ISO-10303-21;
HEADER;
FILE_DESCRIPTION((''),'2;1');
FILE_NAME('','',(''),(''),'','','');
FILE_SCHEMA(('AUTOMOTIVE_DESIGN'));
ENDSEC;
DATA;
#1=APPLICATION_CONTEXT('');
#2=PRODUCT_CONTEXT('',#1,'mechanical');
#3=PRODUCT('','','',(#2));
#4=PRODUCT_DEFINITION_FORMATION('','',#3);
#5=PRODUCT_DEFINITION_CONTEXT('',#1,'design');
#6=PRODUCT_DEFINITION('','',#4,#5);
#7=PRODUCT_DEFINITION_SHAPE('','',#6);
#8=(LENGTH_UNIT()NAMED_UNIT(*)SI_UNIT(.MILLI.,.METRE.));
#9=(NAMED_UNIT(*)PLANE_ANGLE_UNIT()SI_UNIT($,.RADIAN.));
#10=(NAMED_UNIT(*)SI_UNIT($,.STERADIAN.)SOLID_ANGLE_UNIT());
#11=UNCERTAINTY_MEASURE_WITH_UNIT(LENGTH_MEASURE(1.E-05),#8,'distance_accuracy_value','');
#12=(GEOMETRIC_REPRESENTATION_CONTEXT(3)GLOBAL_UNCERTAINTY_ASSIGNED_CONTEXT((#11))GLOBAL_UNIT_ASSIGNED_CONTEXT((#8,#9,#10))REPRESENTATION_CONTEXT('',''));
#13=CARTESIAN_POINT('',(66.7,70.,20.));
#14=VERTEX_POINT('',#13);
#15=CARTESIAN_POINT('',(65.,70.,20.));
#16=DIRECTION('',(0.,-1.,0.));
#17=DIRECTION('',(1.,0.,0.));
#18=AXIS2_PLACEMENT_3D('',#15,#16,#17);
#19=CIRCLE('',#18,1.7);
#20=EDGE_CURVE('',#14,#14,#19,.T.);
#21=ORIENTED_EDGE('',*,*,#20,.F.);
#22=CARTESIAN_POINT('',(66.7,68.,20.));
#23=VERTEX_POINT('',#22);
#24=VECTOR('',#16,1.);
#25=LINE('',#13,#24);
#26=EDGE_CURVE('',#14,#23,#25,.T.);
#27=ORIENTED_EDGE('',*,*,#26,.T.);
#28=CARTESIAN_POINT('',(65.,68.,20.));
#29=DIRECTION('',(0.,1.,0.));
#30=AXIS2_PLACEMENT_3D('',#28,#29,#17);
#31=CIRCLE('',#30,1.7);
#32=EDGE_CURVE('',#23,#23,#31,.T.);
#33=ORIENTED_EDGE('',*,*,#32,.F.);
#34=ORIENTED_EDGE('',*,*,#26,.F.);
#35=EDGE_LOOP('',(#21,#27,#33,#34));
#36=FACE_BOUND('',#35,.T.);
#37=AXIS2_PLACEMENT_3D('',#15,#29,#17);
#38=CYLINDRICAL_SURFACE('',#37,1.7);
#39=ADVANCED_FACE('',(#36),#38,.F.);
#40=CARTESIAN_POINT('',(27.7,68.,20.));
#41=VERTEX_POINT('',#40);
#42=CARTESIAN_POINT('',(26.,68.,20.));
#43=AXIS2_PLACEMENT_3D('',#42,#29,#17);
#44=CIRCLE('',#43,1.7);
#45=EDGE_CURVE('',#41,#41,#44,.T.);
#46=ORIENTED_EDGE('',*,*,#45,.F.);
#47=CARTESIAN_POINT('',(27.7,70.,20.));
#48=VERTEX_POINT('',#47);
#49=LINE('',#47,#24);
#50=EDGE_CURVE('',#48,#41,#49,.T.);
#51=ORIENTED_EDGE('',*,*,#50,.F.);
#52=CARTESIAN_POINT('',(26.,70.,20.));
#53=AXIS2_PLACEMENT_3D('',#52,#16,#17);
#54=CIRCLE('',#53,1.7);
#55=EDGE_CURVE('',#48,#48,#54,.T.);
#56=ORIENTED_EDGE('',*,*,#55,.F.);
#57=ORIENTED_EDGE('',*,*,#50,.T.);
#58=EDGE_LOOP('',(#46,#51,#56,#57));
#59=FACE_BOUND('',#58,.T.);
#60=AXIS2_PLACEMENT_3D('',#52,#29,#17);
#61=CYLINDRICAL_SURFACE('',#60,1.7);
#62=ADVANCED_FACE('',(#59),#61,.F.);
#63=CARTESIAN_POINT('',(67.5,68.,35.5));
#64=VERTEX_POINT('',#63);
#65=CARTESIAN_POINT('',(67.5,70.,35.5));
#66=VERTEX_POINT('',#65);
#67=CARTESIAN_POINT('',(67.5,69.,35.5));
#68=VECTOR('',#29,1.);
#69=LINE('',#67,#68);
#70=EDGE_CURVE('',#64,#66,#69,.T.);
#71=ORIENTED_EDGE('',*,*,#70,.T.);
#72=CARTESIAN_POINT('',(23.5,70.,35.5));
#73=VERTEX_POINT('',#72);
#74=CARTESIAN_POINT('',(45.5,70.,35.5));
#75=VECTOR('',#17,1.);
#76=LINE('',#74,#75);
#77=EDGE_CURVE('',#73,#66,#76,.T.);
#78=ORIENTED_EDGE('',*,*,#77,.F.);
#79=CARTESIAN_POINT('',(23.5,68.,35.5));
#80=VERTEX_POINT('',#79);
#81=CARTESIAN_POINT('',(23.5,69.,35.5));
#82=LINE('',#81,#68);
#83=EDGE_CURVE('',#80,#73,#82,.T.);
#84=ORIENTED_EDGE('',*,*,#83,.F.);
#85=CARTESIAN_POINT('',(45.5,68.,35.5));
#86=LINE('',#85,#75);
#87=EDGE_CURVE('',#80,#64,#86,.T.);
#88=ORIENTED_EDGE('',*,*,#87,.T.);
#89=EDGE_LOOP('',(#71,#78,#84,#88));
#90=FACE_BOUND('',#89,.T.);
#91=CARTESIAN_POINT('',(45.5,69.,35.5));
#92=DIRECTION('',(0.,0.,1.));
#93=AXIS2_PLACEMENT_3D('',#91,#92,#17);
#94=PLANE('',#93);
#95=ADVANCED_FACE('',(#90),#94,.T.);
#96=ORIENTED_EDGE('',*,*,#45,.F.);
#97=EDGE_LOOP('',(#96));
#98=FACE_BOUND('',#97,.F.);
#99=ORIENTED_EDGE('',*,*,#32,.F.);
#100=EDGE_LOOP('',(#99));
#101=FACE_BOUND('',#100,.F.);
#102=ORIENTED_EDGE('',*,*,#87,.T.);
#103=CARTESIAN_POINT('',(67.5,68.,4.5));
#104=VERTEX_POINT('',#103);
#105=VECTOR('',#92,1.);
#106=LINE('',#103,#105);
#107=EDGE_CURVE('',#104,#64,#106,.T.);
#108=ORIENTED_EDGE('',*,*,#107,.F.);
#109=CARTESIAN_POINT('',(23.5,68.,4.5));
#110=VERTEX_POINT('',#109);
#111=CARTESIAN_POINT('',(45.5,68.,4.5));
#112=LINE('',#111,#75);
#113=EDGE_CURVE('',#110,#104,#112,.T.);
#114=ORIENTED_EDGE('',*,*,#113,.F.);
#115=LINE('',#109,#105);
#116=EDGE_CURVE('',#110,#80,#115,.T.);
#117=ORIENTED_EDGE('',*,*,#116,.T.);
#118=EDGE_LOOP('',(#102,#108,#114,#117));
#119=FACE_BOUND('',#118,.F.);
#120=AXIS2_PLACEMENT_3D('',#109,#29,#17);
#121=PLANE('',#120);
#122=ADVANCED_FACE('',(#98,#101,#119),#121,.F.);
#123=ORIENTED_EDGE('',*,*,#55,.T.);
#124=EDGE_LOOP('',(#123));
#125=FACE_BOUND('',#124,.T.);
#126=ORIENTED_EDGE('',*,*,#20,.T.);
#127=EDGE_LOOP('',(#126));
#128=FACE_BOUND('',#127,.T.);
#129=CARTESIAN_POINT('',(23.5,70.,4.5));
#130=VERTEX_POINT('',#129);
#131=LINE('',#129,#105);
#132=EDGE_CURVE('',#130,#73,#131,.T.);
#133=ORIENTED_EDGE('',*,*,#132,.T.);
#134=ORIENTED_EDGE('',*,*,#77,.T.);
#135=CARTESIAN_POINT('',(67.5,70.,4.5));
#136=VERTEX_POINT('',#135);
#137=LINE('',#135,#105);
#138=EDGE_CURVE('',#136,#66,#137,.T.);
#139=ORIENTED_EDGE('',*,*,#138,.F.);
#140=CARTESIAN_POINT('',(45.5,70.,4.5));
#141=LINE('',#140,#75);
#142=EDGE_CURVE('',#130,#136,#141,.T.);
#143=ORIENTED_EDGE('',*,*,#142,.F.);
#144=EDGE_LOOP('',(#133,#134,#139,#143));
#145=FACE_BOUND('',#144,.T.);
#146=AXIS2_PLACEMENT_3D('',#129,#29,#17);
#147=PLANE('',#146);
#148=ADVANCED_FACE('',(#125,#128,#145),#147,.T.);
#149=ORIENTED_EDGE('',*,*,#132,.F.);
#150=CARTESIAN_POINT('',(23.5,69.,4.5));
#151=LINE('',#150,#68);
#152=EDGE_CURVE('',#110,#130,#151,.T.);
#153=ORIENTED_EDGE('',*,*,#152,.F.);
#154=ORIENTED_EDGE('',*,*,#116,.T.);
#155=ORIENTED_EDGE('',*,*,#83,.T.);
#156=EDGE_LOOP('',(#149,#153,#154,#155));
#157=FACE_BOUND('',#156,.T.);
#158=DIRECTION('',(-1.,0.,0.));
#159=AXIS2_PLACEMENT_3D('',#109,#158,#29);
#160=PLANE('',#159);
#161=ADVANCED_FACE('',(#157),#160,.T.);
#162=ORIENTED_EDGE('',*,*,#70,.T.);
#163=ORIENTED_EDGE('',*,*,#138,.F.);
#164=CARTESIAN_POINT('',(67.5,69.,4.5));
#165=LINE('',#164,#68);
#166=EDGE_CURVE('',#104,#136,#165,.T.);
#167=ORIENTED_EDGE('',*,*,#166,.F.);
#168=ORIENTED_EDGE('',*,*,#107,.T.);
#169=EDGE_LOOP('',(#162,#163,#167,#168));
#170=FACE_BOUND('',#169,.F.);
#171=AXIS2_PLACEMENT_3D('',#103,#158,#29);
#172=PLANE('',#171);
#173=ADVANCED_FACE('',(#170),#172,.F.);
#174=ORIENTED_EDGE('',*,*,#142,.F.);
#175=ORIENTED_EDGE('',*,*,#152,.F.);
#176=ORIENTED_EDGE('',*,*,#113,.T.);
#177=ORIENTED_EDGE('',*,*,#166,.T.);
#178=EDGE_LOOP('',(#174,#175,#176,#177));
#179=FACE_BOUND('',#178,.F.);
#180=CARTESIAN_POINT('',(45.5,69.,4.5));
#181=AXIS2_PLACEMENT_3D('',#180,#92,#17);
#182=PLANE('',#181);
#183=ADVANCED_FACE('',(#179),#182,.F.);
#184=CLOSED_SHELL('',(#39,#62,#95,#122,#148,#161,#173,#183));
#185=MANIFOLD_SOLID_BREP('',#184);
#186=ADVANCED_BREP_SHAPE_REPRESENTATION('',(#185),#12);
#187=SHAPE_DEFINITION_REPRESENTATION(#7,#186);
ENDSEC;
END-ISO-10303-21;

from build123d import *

# Parameters (mm, degrees)
CYLINDER043_R          = 1.7
CYLINDER043_DEPTH      = 10
CYLINDER043_ROLL_ANGLE = 90
CYLINDER044_R          = 1.7
CYLINDER044_DEPTH      = 10
CYLINDER044_ROLL_ANGLE = 90
BOX080_W               = 44
BOX080_H               = 2
BOX080_DEPTH           = 31


with BuildPart() as cylinder075:
    # Cylinder043 → Cylinder043 (new body)
    with BuildSketch(Plane.XY):
        Circle(CYLINDER043_R)
    extrude(amount=CYLINDER043_DEPTH)


with BuildPart() as cylinder075_1:
    # Cylinder043 roll: moved
    add(cylinder075.part.rotate(Axis((0, 0, 0), (1, 0, 0)), CYLINDER043_ROLL_ANGLE))


with BuildPart() as cylinder075_2:
    # Cylinder043 placement: moved
    add(cylinder075_1.part.moved(Location((26, 70, 20))))


with BuildPart() as cylinder076:
    # Cylinder044 → Cylinder044 (new body)
    with BuildSketch(Plane.XY):
        Circle(CYLINDER044_R)
    extrude(amount=CYLINDER044_DEPTH)


with BuildPart() as cylinder076_1:
    # Cylinder044 roll: moved
    add(cylinder076.part.rotate(Axis((0, 0, 0), (1, 0, 0)), CYLINDER044_ROLL_ANGLE))


with BuildPart() as cylinder076_2:
    # Cylinder044 placement: moved
    add(cylinder076_1.part.moved(Location((65, 70, 20))))


with BuildPart() as tapa_pilas:
    # Box080 → Box080 (new body)
    with BuildSketch(Plane(origin=(23.5, 68, 4.5), x_dir=(1, 0, 0), z_dir=(0, 0, 1))):
        with Locations((22, 1)):
            Rectangle(BOX080_W, BOX080_H)
    extrude(amount=BOX080_DEPTH)

    # Cut090: cut Cylinder076
    add(cylinder076_2.part, mode=Mode.SUBTRACT)

    # Cut091: cut Cylinder075
    add(cylinder075_2.part, mode=Mode.SUBTRACT)


solid = tapa_pilas.part
